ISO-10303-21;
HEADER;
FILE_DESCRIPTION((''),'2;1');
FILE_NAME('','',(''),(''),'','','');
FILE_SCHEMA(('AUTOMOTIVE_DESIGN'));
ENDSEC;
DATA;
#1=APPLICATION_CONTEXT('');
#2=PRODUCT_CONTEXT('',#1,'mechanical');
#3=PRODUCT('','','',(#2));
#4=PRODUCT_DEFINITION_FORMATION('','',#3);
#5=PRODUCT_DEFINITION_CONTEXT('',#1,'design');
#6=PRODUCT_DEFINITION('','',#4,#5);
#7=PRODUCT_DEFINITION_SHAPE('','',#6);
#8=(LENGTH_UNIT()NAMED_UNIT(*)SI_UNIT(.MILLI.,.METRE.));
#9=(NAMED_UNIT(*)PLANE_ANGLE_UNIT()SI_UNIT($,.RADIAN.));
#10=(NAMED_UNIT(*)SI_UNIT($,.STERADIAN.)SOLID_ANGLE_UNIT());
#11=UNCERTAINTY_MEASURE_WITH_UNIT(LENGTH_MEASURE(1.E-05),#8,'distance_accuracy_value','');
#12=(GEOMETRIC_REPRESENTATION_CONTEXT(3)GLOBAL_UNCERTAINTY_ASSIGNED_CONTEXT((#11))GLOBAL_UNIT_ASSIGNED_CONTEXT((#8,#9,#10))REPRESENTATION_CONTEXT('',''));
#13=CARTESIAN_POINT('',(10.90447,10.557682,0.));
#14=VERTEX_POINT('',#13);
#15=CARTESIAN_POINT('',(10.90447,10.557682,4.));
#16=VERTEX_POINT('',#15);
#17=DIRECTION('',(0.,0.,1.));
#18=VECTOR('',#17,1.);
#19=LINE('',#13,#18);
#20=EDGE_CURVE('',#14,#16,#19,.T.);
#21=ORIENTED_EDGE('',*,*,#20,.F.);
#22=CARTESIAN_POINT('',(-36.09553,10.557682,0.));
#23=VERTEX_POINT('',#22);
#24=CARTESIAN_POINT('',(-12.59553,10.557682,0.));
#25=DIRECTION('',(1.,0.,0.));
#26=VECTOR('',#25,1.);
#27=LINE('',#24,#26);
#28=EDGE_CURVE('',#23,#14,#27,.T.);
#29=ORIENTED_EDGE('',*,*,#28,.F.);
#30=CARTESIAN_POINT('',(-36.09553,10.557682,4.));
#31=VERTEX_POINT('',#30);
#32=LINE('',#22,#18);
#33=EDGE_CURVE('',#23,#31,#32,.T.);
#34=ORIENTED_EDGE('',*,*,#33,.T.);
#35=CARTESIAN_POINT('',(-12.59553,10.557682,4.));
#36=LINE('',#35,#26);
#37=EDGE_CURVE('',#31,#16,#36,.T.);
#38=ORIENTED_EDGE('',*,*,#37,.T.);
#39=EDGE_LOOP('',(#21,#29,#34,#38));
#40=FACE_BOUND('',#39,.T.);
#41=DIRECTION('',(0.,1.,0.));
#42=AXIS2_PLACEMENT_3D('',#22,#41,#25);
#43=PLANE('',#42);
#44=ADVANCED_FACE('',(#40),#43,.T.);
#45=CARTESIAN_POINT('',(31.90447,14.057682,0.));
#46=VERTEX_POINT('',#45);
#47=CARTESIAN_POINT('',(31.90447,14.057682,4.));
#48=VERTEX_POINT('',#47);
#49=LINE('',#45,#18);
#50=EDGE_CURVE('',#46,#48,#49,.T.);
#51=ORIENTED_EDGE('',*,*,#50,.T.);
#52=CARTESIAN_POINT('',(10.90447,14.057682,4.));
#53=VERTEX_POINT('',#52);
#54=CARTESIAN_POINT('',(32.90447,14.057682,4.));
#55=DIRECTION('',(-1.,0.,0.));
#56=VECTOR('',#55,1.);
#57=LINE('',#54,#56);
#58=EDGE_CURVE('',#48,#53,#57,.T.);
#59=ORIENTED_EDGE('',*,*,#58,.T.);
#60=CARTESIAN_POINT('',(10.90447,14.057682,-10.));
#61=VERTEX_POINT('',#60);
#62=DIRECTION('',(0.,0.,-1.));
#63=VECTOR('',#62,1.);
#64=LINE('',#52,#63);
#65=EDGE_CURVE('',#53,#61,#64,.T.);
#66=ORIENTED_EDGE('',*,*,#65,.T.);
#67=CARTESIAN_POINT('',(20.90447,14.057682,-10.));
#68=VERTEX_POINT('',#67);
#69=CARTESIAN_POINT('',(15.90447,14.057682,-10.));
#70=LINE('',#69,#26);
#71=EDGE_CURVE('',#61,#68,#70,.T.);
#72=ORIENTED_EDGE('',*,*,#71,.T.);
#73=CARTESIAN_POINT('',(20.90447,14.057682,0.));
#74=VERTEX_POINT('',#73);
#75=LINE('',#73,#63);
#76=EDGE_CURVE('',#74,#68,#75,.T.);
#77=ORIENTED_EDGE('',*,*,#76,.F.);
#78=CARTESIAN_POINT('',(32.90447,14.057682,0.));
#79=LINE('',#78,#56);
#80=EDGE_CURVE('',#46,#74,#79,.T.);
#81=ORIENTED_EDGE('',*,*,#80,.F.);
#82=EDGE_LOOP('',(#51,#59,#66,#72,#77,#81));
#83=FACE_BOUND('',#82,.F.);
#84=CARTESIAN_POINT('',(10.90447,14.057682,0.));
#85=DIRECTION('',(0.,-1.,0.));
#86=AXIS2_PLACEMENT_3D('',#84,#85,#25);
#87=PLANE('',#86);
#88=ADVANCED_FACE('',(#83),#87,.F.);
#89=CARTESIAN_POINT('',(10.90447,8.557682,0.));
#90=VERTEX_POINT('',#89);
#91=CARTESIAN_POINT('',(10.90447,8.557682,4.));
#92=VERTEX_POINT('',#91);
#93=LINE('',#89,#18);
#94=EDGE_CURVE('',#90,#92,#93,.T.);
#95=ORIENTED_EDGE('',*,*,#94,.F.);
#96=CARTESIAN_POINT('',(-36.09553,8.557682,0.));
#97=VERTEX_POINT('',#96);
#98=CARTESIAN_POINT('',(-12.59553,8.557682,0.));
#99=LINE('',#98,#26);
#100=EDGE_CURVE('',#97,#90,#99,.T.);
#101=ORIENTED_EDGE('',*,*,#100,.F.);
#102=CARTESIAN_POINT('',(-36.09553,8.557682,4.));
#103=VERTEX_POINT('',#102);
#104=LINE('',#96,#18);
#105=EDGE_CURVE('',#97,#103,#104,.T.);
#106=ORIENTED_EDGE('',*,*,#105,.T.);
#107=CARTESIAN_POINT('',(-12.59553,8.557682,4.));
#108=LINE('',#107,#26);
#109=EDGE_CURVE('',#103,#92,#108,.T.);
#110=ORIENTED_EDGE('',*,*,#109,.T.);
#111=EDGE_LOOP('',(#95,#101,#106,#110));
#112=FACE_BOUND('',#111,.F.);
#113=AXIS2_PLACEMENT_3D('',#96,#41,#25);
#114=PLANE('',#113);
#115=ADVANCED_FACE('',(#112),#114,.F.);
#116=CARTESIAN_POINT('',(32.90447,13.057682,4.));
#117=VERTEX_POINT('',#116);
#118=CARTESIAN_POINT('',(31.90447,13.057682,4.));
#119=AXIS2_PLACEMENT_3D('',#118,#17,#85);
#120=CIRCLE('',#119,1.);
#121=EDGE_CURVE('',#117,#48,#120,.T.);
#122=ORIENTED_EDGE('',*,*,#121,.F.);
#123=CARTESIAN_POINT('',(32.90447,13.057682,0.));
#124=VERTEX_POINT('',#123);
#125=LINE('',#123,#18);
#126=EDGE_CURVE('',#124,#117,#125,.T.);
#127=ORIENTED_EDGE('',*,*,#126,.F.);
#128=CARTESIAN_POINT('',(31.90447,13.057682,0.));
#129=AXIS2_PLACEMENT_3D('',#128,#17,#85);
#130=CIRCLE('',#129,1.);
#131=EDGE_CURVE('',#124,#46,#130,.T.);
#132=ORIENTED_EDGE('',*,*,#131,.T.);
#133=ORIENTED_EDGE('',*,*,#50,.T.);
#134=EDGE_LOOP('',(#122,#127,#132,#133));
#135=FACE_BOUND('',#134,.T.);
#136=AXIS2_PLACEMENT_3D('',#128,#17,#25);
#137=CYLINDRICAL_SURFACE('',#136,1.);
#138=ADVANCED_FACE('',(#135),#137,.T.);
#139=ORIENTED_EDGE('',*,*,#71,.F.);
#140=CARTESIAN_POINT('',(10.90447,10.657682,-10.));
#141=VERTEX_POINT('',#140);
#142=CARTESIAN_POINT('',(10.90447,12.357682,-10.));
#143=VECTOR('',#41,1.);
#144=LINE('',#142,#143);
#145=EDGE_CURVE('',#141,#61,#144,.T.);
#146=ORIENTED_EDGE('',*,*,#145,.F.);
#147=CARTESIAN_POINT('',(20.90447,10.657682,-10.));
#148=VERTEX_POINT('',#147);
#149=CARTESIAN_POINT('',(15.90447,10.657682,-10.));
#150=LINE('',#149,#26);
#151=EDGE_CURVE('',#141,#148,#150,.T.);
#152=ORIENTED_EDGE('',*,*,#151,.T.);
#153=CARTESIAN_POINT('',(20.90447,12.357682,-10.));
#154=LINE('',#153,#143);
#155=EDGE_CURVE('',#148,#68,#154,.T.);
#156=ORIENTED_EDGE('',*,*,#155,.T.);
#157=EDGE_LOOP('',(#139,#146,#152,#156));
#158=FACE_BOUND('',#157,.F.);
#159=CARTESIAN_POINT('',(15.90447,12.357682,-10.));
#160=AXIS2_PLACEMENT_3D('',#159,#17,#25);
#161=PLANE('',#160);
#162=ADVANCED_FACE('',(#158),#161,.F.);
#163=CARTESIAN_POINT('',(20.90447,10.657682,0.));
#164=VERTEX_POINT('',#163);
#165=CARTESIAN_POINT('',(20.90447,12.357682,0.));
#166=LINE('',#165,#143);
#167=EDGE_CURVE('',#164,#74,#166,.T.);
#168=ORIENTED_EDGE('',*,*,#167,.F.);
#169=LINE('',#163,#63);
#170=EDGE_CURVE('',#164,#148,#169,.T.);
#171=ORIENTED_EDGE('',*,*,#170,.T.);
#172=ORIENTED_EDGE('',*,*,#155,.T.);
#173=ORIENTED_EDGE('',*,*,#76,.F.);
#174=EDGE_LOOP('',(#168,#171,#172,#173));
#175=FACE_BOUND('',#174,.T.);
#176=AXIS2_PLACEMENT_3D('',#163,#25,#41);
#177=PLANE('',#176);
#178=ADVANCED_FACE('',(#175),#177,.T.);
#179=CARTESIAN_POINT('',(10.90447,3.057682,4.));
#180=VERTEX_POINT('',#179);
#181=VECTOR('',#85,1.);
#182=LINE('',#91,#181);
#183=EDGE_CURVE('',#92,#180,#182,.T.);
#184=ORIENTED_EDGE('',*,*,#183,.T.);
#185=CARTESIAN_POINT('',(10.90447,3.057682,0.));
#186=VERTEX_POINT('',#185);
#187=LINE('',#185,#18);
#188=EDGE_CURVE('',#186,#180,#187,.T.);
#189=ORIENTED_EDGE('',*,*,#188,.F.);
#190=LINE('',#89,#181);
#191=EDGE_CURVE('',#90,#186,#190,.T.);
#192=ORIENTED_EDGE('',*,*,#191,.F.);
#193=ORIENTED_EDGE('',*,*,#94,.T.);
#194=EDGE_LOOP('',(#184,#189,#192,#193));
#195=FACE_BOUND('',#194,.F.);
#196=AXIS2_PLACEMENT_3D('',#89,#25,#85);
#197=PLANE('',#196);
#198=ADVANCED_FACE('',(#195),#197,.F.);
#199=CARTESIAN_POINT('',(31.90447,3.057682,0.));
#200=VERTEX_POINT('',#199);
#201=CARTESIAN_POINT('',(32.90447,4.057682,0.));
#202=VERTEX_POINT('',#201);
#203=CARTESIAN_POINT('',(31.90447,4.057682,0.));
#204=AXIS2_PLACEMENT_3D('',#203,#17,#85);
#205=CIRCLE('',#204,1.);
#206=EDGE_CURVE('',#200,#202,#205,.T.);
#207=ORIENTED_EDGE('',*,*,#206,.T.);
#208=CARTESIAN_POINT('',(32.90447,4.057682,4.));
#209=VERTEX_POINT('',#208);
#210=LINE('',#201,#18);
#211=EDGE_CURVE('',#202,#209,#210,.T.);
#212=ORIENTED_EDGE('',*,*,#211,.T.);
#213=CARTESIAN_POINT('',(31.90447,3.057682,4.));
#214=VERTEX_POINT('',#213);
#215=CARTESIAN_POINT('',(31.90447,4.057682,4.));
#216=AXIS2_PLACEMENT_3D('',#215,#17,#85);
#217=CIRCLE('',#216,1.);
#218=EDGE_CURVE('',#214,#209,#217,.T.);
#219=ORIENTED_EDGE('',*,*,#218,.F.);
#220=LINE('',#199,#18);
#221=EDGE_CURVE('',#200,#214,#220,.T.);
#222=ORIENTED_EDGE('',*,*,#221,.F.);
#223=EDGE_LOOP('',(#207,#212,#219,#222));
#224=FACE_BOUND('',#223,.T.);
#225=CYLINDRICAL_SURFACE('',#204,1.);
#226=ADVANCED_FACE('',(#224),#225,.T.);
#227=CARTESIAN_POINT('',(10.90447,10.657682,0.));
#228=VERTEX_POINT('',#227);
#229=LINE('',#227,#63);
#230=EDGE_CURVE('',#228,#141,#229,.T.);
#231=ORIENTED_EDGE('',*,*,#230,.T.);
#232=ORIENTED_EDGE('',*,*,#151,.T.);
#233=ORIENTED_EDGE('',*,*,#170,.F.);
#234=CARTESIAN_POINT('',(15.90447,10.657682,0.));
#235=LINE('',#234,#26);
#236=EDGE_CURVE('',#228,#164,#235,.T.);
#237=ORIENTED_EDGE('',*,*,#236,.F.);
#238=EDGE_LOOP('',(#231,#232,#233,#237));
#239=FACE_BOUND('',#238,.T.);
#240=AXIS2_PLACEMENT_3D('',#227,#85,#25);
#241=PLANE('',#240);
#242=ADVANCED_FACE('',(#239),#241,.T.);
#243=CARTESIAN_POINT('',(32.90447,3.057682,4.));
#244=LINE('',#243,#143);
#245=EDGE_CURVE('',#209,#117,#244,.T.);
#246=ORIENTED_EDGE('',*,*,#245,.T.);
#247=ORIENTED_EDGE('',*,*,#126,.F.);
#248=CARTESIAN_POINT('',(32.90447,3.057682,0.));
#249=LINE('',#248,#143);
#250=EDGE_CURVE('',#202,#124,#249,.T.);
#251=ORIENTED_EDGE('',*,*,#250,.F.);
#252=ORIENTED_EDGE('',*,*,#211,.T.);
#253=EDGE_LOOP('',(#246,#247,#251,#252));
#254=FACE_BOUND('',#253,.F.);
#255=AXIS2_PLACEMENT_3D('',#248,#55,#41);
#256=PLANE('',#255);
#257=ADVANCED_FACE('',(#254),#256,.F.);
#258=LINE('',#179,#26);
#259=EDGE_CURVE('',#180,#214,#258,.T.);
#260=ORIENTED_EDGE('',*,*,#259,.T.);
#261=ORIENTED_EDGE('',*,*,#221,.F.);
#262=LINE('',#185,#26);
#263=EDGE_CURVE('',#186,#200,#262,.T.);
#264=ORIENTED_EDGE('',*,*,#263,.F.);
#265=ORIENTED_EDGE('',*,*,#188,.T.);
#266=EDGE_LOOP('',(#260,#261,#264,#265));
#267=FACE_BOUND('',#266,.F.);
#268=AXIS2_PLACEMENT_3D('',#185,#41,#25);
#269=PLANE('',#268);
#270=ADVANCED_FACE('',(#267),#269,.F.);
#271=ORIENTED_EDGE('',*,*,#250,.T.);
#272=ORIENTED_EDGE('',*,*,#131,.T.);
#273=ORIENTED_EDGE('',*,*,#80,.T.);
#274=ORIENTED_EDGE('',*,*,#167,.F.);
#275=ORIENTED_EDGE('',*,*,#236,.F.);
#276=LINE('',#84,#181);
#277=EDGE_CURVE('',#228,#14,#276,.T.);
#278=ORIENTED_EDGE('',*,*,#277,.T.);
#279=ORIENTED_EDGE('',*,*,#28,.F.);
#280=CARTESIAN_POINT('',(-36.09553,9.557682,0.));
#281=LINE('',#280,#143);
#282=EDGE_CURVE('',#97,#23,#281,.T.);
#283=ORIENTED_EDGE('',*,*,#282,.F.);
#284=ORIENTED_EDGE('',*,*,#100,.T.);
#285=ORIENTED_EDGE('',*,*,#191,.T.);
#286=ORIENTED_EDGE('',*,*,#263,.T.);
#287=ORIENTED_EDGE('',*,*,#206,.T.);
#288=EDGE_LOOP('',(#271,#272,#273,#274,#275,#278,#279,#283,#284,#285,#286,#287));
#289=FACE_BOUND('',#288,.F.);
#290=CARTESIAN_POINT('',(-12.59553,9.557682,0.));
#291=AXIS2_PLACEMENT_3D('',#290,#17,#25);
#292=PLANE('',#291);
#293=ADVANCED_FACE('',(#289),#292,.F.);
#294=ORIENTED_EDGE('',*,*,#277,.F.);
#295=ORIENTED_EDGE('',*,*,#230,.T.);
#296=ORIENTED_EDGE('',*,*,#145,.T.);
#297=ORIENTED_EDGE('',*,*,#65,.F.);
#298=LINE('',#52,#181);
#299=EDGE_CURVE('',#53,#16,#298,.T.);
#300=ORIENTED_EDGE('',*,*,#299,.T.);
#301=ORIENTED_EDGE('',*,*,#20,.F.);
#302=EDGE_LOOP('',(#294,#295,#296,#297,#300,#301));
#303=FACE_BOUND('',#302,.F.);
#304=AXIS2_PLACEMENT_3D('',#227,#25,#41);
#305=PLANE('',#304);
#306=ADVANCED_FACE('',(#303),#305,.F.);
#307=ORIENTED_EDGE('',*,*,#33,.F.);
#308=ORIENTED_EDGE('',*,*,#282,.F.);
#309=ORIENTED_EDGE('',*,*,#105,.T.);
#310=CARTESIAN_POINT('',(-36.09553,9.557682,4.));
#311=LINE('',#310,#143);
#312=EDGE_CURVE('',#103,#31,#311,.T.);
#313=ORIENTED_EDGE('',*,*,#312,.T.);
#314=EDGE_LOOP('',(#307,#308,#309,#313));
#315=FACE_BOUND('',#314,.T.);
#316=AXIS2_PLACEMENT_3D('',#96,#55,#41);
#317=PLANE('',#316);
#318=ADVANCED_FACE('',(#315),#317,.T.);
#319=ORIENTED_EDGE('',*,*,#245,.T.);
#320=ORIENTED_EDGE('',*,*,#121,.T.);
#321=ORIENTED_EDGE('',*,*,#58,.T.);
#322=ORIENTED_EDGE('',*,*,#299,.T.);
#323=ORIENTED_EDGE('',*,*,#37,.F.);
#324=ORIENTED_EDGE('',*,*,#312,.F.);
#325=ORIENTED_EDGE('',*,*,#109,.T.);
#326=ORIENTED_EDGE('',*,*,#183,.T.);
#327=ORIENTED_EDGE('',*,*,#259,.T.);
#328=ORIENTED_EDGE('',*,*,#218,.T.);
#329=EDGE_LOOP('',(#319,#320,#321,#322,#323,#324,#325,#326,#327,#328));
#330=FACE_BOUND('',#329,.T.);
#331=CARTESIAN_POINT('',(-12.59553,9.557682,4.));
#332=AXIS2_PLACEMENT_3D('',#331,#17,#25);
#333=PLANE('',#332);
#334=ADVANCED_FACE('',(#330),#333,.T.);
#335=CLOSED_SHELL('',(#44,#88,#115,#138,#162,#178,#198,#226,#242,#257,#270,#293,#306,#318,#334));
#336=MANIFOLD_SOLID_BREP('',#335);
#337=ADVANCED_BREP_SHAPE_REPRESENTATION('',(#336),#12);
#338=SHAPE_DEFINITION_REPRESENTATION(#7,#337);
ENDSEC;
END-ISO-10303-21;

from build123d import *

# Parameters (mm, degrees)
F0_W     = 47
F0_H     = 2
F0_W_2   = 10
F0_H_2   = 3.4
F1_DEPTH = 4
F2_DEPTH = 10
F3_R     = 1


with BuildPart() as f1:
    # F0 (on Top) → F1 (new body)
    with BuildSketch(Plane.XY):
        with Locations((-12.59553, 9.557682)):
            Rectangle(F0_W, F0_H)
        Polygon((10.90447, 10.657682), (10.90447, 10.557682), (10.90447, 8.557682), (10.90447, 3.057682), (32.90447, 3.057682), (32.90447, 14.057682), (20.90447, 14.057682), (20.90447, 10.657682), align=None)
        with Locations((15.90447, 12.357682)):
            Rectangle(F0_W_2, F0_H_2)
    extrude(amount=F1_DEPTH)

    # F0 (on Top) → F2 (join)
    with BuildSketch(Plane.XY):
        with Locations((15.90447, 12.357682)):
            Rectangle(F0_W_2, F0_H_2)
    extrude(amount=-F2_DEPTH)

    # F3
    f3_edges = [f1.edges().sort_by_distance(p)[0] for p in [
        (32.90447, 3.057682, 2),
        (32.90447, 14.057682, 2),
    ]]
    fillet(f3_edges, radius=F3_R)


solid = f1.part
